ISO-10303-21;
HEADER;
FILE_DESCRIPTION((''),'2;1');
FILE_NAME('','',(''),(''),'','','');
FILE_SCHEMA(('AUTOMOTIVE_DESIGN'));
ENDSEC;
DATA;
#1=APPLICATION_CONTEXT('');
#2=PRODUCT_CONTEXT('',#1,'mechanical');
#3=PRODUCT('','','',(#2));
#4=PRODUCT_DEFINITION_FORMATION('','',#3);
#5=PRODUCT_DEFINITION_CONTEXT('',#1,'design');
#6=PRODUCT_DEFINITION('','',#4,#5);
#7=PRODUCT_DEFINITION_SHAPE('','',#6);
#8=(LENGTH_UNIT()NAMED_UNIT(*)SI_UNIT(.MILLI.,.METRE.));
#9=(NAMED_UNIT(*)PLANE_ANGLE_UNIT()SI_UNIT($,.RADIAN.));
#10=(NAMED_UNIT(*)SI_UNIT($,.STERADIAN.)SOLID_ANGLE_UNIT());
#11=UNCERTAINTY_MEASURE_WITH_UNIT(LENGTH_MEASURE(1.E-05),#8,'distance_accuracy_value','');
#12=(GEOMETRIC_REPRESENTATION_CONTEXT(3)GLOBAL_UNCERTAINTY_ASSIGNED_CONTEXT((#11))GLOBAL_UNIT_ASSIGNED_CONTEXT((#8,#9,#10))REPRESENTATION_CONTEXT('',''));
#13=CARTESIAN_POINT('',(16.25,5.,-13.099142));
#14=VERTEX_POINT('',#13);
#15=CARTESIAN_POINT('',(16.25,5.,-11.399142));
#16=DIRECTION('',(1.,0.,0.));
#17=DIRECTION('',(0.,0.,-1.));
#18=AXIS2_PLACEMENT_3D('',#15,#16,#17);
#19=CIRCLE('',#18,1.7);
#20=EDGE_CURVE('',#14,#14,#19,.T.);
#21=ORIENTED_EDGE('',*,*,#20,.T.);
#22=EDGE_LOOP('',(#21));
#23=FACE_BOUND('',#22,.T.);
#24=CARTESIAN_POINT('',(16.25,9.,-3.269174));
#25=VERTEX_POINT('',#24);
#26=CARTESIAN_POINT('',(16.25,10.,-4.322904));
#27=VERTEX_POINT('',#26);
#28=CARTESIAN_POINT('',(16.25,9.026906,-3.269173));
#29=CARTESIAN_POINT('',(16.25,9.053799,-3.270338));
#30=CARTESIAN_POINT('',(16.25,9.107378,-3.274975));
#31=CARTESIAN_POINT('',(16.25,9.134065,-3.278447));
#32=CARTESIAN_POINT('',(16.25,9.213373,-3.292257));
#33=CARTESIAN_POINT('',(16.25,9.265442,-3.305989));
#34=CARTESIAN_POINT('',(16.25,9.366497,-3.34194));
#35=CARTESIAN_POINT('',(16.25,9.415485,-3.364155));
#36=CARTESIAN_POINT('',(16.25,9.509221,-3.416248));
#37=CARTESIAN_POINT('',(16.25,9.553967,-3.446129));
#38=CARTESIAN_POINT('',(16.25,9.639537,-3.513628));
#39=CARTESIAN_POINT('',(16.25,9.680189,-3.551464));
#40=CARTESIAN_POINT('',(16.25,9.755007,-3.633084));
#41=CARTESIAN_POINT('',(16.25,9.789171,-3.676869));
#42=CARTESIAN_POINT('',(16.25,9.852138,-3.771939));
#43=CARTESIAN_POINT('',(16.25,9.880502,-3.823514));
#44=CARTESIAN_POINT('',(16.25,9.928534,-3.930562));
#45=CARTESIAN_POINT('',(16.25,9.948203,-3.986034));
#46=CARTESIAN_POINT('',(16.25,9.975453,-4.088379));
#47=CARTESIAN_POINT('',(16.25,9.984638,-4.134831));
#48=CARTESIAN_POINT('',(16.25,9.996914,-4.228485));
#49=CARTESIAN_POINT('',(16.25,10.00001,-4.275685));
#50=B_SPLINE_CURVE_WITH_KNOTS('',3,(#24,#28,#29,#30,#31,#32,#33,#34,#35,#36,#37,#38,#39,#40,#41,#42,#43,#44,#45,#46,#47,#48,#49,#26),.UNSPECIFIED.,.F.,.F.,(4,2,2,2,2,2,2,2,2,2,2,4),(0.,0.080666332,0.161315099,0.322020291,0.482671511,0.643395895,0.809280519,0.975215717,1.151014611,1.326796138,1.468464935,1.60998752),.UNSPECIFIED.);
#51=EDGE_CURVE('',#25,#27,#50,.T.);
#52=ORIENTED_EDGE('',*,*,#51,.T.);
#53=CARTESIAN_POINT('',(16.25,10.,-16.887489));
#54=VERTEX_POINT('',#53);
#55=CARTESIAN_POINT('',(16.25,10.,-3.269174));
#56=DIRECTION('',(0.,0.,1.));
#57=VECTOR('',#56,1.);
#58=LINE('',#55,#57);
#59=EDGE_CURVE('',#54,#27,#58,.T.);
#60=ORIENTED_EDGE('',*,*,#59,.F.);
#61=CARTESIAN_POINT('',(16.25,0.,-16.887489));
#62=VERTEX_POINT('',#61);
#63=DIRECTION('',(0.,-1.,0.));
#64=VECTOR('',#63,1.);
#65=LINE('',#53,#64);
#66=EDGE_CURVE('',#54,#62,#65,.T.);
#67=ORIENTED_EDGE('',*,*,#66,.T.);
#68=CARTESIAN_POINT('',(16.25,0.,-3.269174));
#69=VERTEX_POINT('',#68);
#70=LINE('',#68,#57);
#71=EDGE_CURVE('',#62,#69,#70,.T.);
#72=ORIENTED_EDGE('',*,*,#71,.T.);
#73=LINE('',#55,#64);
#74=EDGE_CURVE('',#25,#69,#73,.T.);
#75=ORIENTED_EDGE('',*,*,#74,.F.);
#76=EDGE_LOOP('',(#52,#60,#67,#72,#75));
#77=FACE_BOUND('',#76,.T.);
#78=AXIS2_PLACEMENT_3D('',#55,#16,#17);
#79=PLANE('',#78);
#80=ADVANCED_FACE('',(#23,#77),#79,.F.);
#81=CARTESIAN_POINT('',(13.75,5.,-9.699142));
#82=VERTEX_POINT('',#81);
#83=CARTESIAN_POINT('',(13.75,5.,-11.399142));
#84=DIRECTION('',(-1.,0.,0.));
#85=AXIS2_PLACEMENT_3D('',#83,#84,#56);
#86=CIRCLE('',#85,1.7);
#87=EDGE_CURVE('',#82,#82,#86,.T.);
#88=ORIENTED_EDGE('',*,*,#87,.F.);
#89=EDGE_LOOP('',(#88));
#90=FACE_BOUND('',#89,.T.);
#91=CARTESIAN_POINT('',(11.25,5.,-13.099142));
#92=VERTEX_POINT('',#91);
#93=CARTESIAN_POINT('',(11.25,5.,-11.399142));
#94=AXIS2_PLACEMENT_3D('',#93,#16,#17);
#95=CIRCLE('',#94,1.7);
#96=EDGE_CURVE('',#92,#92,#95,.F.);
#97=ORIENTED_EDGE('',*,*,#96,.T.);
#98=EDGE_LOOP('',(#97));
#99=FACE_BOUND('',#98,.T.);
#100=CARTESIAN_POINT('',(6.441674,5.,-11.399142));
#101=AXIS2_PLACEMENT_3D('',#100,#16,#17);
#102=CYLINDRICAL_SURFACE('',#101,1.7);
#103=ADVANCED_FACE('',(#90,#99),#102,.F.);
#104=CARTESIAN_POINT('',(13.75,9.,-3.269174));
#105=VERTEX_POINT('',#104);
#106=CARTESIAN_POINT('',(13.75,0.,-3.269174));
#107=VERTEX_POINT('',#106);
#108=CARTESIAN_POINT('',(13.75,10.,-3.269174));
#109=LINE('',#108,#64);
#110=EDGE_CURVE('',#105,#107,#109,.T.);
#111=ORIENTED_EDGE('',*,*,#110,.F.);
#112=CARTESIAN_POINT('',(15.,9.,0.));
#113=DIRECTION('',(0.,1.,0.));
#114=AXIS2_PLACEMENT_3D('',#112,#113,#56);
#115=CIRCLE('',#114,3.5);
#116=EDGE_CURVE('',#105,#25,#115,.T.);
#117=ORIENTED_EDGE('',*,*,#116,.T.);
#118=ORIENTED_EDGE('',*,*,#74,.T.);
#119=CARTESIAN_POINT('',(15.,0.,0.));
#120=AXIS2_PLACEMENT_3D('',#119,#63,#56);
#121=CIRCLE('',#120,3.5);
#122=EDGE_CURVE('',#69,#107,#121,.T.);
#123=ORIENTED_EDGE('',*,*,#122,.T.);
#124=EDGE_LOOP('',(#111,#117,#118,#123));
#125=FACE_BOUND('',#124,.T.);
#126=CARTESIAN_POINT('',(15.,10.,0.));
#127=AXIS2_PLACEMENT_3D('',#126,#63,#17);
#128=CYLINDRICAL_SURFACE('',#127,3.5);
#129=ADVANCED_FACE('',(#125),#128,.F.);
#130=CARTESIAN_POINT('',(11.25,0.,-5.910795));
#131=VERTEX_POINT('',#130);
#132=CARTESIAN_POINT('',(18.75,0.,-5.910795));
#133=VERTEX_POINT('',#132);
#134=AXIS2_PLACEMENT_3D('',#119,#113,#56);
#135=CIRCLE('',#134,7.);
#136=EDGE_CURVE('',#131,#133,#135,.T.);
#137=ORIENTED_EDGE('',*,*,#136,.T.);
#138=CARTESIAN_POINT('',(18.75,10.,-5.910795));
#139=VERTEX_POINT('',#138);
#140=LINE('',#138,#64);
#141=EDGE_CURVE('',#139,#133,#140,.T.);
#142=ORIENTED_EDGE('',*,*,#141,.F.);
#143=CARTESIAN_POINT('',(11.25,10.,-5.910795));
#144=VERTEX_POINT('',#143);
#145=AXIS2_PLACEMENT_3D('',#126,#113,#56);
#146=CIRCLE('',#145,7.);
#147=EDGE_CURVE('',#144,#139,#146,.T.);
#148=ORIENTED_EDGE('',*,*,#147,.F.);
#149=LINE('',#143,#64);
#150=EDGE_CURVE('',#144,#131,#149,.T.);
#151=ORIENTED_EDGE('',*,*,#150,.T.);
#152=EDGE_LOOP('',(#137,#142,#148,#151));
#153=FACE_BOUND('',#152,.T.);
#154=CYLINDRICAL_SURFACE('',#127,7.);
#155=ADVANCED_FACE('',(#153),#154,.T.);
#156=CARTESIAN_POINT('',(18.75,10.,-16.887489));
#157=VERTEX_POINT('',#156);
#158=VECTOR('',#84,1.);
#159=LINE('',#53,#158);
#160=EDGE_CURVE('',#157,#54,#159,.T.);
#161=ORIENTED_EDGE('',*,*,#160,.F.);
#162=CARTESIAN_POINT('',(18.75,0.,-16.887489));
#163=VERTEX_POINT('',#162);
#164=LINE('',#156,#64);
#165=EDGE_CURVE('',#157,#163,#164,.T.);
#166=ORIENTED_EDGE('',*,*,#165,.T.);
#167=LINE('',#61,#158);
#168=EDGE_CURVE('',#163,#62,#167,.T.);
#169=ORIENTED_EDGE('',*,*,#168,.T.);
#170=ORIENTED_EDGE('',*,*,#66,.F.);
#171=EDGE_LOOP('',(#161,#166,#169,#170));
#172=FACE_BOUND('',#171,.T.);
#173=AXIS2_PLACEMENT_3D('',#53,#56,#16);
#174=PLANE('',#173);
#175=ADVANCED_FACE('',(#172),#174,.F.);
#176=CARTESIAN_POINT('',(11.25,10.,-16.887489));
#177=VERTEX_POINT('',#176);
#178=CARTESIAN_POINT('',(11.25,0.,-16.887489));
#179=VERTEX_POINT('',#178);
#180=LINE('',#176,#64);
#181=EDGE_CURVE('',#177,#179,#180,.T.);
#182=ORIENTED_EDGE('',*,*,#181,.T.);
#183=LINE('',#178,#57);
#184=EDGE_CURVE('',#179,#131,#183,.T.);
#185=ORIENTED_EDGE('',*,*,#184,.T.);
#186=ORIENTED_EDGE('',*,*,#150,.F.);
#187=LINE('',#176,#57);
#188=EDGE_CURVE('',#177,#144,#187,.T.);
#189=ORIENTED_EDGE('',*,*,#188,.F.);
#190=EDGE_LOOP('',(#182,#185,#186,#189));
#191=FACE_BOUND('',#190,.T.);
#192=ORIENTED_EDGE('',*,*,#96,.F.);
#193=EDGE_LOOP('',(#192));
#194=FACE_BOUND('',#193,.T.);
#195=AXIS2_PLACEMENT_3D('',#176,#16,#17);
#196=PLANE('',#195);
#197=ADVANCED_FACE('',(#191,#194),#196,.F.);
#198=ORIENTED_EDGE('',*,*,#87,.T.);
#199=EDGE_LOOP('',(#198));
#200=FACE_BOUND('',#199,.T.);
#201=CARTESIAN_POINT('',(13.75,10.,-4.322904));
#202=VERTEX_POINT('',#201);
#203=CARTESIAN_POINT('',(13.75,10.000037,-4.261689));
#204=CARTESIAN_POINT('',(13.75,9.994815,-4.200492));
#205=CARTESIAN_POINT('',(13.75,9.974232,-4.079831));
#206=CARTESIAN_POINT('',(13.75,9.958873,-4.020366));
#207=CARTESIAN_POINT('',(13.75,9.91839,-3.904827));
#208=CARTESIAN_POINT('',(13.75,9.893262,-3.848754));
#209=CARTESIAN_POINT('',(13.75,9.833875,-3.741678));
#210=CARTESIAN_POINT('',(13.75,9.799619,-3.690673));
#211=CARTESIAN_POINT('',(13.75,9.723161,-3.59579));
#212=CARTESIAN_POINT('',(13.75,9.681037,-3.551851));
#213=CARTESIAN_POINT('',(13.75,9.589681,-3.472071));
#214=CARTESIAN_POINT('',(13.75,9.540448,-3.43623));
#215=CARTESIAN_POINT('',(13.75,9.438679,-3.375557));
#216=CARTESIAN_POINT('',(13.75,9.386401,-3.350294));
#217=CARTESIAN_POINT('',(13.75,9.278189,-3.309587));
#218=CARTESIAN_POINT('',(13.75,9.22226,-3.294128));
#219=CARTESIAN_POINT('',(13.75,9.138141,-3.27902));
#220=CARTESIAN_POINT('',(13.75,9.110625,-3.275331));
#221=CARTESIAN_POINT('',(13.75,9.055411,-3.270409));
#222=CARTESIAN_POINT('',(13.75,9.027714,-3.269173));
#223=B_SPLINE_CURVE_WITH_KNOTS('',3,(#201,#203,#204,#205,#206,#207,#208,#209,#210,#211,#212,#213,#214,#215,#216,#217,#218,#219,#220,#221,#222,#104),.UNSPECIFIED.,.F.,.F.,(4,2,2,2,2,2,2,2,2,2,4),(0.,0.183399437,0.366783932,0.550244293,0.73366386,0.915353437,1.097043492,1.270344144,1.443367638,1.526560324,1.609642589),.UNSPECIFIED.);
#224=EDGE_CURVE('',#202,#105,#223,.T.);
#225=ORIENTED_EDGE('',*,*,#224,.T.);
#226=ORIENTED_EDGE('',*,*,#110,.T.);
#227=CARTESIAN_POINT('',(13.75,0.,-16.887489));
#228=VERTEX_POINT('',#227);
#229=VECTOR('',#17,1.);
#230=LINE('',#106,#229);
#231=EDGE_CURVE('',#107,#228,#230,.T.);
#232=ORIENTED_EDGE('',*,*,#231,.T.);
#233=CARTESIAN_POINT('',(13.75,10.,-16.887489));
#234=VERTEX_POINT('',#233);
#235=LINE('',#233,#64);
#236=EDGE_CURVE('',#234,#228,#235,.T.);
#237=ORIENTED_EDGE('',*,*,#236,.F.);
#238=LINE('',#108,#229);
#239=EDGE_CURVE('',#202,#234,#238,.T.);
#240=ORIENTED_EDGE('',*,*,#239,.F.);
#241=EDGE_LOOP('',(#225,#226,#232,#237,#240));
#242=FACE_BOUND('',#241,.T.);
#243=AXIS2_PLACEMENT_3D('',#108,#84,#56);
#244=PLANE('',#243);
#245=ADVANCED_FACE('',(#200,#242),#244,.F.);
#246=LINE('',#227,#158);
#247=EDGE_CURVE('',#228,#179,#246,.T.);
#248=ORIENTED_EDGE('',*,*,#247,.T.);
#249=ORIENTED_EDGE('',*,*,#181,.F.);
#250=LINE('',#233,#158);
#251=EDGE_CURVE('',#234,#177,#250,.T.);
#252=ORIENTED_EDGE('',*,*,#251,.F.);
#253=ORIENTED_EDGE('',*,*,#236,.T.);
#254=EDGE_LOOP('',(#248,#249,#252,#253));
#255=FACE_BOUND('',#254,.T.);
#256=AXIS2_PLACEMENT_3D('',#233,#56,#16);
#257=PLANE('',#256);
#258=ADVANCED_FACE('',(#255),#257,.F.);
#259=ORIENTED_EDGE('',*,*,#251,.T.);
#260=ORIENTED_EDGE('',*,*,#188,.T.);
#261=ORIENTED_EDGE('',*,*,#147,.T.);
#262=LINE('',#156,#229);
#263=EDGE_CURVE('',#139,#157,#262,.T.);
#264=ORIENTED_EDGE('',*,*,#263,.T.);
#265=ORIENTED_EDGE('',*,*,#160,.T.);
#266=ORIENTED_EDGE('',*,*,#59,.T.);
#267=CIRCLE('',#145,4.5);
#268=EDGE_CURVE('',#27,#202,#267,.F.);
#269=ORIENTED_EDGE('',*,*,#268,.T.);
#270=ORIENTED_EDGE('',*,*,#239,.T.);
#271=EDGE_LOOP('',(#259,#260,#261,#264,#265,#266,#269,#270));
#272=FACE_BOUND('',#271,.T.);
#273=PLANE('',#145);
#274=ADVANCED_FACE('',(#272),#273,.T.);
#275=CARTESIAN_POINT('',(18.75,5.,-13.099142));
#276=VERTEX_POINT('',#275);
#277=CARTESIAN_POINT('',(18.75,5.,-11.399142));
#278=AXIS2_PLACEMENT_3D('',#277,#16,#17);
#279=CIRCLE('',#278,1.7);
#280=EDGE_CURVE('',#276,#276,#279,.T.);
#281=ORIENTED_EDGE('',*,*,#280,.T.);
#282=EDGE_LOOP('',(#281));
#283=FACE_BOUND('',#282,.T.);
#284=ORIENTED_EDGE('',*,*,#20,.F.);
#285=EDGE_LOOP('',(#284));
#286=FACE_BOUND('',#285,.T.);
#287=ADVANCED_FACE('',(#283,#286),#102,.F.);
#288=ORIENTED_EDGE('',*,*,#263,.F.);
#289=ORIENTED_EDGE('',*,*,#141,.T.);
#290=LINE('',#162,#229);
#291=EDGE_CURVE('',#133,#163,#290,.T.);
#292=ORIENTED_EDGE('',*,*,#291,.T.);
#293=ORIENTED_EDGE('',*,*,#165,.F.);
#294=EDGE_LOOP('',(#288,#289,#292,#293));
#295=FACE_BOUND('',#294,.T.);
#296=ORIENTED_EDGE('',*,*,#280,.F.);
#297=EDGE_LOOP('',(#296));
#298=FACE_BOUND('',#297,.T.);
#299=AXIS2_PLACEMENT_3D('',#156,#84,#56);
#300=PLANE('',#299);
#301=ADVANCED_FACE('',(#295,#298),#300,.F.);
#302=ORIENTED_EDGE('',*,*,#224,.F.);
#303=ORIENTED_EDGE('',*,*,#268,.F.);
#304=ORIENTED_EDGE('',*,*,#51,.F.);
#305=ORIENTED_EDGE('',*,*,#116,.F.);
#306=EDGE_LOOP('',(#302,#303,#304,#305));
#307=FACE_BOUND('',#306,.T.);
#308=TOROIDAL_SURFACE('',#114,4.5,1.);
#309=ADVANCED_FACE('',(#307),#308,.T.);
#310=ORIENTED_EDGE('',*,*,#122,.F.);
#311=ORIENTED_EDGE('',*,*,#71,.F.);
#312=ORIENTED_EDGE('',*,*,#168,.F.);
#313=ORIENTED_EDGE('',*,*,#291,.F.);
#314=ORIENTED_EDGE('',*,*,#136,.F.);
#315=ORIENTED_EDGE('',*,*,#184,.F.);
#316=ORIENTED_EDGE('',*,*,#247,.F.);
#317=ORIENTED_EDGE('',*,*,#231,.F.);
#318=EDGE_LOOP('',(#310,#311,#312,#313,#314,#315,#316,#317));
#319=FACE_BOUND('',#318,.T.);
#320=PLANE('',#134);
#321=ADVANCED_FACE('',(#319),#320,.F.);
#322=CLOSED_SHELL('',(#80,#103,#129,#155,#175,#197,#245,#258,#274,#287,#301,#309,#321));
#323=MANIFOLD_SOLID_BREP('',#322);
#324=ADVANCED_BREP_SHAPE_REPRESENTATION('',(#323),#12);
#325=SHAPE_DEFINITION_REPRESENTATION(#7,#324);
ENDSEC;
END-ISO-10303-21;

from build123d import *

# Parameters (mm, degrees)
BOSS_EXTRUDE1_DEPTH = 10
CUT_EXTRUDE1_REACH  = 24.377
SKETCH2_R           = 1.7
FILLET1_R           = 1


with BuildPart() as part:
    # Sketch1 → Boss-Extrude1 (new body)
    with BuildSketch(Plane(origin=(0, 0, 0), x_dir=(1, 0, 0), z_dir=(0, 1, 0))):
        with BuildLine():
            Line((13.75, 3.269174208), (13.75, 16.887488657))
            Line((13.75, 16.887488657), (11.25, 16.887488657))
            Line((11.25, 16.887488657), (11.25, 5.910795209))
            ThreePointArc((11.25, 5.910795209), (15, -7), (18.75, 5.910795209))
            Line((18.75, 5.910795209), (18.75, 16.887488657))
            Line((18.75, 16.887488657), (16.25, 16.887488657))
            Line((16.25, 16.887488657), (16.25, 3.269174208))
            ThreePointArc((16.25, 3.269174208), (15, -3.5), (13.75, 3.269174208))
        make_face()
    extrude(amount=BOSS_EXTRUDE1_DEPTH)

    # Cut-Extrude1: up to this face of the body (flat: up to its plane)
    cut_extrude1_end = Plane(part.part.faces().sort_by_distance((11.25, 5, -11.399141933))[0])
    # Sketch2 → Cut-Extrude1 (cut, up to the picked face)
    with BuildSketch(Plane(origin=(18.75, 0, 0), x_dir=(0, 0, -1), z_dir=(1, 0, 0)), mode=Mode.PRIVATE) as cut_extrude1_sk1:
        with Locations((11.399141933, 5)):
            Circle(SKETCH2_R)
    cut_extrude1_tool1 = split(extrude(cut_extrude1_sk1.sketch, amount=-CUT_EXTRUDE1_REACH, mode=Mode.PRIVATE), bisect_by=cut_extrude1_end, keep=Keep.BOTH, mode=Mode.PRIVATE)
    add(cut_extrude1_tool1.solids().sort_by(Axis((18.75, 5, -11.399142), (-1, 0, 0)))[0], mode=Mode.SUBTRACT)

    # Fillet1
    fillet1_edges = [part.edges().sort_by_distance(p)[0] for p in [
        (15, 10, 3.5),
    ]]
    fillet(fillet1_edges, radius=FILLET1_R)


solid = part.part
